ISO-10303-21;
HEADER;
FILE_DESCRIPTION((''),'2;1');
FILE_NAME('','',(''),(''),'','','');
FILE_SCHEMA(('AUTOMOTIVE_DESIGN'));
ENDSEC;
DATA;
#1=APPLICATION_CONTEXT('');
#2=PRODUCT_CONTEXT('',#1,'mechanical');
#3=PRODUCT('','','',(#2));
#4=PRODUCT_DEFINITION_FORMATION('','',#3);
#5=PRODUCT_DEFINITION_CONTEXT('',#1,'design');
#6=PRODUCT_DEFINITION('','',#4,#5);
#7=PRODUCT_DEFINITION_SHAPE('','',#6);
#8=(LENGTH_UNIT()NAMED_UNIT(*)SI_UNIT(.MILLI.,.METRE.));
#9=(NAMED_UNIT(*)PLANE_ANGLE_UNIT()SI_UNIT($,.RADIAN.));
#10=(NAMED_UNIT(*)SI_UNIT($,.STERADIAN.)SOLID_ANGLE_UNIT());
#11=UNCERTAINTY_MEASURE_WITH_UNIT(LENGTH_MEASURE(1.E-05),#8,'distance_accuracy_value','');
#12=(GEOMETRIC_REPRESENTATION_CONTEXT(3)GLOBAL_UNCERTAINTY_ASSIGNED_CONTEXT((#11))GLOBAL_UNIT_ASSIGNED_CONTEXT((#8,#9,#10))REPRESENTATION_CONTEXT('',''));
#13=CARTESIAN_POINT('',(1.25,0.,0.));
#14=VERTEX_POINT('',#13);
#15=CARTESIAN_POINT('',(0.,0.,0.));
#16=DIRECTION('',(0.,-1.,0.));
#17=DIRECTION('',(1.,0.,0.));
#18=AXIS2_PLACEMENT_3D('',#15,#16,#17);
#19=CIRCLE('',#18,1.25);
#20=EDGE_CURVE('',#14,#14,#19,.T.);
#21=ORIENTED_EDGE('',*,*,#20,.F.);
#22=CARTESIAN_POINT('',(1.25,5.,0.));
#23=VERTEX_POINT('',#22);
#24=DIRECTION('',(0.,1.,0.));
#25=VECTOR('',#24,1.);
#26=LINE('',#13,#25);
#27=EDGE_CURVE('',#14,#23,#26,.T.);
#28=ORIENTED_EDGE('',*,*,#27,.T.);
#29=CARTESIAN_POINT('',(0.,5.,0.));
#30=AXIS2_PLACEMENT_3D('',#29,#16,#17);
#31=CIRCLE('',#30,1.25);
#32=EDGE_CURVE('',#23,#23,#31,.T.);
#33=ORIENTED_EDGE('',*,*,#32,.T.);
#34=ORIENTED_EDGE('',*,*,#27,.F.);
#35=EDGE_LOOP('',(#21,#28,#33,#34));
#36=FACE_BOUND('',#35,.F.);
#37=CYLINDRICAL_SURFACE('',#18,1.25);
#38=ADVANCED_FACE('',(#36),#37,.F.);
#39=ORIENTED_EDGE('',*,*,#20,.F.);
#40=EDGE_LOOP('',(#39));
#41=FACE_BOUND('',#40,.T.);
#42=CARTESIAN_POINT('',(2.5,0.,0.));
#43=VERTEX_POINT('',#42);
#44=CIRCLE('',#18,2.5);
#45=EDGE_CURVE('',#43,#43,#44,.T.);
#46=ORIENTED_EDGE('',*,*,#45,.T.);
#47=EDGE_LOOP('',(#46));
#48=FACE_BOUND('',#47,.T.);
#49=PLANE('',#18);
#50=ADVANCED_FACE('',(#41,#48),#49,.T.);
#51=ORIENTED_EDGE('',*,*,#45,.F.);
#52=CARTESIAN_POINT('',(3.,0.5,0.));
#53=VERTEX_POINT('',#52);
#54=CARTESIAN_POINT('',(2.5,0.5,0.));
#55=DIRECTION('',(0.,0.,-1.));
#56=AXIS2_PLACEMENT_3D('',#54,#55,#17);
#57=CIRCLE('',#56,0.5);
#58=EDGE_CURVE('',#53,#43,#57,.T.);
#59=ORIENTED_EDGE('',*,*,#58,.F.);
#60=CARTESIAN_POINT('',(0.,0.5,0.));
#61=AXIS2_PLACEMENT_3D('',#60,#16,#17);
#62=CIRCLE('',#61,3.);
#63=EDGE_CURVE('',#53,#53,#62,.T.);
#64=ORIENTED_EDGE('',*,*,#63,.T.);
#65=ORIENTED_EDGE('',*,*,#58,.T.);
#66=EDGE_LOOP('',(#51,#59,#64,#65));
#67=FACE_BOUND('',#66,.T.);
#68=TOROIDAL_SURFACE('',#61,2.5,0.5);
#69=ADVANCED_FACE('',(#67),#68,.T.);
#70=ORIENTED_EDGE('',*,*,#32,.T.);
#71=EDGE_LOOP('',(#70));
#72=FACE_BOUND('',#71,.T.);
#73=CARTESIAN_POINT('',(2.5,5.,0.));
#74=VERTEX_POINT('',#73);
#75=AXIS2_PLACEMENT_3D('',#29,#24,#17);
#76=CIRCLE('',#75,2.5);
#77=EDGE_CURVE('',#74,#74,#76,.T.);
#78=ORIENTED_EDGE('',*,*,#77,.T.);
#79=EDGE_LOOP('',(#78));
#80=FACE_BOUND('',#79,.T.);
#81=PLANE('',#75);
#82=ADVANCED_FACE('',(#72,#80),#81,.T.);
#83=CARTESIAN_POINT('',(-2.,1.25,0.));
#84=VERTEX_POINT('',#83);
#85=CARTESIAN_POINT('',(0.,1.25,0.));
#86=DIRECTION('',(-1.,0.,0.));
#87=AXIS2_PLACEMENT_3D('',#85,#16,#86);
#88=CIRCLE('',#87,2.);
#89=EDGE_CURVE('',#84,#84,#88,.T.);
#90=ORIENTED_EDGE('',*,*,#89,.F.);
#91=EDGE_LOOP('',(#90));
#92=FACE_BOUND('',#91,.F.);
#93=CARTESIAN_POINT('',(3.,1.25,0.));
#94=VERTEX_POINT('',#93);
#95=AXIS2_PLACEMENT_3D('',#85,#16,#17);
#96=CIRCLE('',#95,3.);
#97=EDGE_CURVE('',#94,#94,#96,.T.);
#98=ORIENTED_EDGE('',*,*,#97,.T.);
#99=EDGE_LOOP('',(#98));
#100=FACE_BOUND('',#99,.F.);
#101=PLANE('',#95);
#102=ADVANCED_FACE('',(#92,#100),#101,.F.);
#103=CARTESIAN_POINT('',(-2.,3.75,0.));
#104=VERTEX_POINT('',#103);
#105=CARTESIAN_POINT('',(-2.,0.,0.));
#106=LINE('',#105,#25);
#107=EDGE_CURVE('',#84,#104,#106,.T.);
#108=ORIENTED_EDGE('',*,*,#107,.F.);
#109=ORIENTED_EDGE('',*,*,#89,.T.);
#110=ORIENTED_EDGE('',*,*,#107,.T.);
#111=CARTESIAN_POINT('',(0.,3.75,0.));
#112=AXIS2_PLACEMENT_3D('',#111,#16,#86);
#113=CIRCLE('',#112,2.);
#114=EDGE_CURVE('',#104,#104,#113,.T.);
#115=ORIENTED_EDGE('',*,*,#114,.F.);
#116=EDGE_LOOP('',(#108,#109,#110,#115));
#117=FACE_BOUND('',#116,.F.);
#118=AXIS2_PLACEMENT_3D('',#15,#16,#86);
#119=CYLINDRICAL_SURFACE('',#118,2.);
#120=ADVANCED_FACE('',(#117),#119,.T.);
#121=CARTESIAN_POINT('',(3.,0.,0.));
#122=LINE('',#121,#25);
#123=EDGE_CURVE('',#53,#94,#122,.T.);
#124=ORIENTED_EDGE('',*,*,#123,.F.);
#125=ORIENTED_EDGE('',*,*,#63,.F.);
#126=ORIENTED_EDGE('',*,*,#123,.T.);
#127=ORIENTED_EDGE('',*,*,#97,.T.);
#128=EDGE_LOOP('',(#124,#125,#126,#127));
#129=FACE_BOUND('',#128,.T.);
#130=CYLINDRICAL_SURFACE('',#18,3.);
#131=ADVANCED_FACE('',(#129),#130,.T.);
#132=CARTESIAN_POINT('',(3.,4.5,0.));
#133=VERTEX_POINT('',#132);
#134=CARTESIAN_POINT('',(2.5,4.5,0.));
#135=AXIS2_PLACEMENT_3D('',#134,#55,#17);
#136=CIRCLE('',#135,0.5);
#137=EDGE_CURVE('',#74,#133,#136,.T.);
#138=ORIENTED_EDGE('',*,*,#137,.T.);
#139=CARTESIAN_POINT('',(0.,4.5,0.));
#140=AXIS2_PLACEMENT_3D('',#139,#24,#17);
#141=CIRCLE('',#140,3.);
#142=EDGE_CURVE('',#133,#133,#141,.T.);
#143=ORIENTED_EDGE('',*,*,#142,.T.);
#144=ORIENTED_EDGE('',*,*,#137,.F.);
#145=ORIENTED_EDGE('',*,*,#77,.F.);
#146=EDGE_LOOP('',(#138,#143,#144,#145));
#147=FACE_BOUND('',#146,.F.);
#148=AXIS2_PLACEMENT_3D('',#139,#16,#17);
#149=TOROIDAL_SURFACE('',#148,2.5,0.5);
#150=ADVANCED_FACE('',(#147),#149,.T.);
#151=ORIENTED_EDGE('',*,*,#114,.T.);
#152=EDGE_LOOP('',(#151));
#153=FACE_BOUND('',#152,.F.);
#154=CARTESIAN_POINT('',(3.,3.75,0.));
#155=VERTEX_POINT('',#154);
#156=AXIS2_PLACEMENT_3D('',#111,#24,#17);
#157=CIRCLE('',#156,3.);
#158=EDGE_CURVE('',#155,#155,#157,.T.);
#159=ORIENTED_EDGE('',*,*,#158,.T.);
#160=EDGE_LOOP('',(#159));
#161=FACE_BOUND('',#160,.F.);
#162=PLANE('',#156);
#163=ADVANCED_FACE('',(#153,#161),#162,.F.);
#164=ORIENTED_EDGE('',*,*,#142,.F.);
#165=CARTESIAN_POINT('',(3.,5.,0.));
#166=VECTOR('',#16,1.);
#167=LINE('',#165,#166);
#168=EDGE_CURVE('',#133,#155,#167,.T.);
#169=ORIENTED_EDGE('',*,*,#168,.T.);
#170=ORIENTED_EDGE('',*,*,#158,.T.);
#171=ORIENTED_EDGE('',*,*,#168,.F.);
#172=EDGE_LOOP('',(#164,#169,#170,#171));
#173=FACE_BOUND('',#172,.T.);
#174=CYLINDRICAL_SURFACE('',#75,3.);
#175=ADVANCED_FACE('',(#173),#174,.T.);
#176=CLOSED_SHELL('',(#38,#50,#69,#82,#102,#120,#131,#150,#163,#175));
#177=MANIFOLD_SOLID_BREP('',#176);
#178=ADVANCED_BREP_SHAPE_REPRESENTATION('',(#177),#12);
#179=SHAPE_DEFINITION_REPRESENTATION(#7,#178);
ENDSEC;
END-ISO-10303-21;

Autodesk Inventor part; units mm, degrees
ref_plane "YZ Plane" through (0, 0, 0) normal (1, 0, 0) x (0, 1, 0)
ref_plane "XZ Plane" through (0, 0, 0) normal (0, 1, 0) x (-1, 0, 0)
ref_plane "XY Plane" through (0, 0, 0) normal (0, 0, 1) x (1, 0, 0)
sketch "Эскиз1" plane through (0, 0, 0) normal (0, 1, 0) x (-1, 0, 0)
  circle A0 centre (0, 0) radius 2
  dimension "d0" = 4
extrude "Выдавливание1" add sketch "Эскиз1" along normal blind 5
sketch "Эскиз2" plane through (0, 5, 0) normal (0, 1, 0) x (1, 0, 0)
  circle A0 centre (0, 0) radius 3
  dimension "d3" = 6
extrude "Выдавливание2" add sketch "Эскиз2" against normal blind 1.25
sketch "Эскиз3" plane through (0, 0, 0) normal (0, -1, 0) x (1, 0, 0)
  circle A0 centre (0, 0) radius 3
extrude "Выдавливание3" add sketch "Эскиз3" against normal blind 1.25
sketch "Эскиз4" plane through (0, 0, 0) normal (0, -1, 0) x (1, 0, 0)
  circle A0 centre (0, 0) radius 1.25
  dimension "d12" = 2.5
extrude "Выдавливание4" cut sketch "Эскиз4" against normal blind 12
fillet "Сопряжение1" radius 0.5 2 edges at (-3, 0, 0) (-3, 5, 0)
properties part number "vtulka_servo"
